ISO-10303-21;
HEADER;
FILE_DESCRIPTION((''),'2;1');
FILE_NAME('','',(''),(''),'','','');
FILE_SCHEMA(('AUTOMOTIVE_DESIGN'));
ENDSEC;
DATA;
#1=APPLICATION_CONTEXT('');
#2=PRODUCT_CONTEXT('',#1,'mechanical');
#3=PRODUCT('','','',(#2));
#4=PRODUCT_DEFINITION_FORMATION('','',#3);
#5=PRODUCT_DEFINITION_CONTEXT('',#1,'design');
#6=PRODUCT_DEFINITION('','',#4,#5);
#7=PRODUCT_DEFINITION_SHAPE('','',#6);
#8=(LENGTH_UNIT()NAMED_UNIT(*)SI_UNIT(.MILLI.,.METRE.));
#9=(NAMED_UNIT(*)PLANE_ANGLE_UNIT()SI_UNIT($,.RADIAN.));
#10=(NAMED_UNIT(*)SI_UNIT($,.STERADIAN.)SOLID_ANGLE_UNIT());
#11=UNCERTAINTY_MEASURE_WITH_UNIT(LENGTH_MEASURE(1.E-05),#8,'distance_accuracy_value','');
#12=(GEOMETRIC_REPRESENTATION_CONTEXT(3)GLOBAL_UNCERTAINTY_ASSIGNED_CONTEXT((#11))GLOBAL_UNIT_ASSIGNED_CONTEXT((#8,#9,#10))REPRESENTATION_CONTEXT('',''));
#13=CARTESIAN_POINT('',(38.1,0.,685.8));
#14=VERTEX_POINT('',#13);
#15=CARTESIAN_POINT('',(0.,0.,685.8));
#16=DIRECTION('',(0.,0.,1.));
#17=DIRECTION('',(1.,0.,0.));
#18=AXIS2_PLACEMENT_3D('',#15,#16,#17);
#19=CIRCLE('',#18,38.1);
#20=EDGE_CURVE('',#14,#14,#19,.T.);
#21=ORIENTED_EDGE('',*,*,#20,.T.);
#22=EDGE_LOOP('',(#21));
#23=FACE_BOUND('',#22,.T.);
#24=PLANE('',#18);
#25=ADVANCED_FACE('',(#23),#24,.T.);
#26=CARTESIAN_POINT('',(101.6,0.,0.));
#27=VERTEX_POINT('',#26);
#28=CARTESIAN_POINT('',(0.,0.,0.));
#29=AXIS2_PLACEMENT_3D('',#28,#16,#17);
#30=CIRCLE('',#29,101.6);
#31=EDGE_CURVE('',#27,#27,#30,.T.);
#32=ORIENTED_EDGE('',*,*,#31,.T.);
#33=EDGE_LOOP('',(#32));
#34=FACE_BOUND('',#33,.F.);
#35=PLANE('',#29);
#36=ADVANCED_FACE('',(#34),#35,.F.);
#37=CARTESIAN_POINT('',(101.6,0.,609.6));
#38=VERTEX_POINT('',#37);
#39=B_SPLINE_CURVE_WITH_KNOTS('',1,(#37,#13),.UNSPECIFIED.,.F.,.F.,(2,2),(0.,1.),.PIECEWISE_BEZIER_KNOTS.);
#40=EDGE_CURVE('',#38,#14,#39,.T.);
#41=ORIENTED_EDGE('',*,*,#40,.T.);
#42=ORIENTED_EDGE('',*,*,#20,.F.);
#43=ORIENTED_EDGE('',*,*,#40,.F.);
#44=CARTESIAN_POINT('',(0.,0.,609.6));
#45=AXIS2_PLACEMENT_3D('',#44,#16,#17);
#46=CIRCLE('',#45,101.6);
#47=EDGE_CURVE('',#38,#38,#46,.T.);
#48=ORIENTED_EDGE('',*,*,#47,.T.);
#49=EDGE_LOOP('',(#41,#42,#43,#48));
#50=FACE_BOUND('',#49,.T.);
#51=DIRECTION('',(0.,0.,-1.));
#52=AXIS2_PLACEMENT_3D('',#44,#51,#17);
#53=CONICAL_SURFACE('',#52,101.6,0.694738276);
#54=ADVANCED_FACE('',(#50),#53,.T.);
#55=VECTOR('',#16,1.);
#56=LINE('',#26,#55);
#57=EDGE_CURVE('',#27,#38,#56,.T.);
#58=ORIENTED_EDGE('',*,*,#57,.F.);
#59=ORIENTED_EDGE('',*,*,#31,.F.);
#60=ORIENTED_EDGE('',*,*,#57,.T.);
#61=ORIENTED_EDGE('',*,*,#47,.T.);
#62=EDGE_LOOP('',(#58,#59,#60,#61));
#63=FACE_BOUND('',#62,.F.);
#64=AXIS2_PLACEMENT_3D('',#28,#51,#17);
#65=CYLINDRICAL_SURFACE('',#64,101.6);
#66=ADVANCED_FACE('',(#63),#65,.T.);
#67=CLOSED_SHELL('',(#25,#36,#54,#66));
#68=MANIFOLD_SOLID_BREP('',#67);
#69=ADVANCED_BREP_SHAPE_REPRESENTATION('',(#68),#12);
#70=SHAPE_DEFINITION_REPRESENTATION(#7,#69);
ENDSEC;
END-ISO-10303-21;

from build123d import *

# Parameters (mm, degrees)
F0_R     = 101.6
F1_DEPTH = 609.6
F4_R     = 101.6
F3_R     = 38.1


with BuildPart() as f1:
    # F0 (on Top) → F1 (new body)
    with BuildSketch(Plane.XY):
        Circle(F0_R)
    extrude(amount=F1_DEPTH)

    # F4 (on face) → F5 section 0
    with BuildSketch(Plane.XY.offset(609.6)):
        Circle(F4_R)
    # F3 (on offset) → F5 section 1
    with BuildSketch(Plane.XY.offset(685.8)):
        Circle(F3_R)
    loft()


solid = f1.part
